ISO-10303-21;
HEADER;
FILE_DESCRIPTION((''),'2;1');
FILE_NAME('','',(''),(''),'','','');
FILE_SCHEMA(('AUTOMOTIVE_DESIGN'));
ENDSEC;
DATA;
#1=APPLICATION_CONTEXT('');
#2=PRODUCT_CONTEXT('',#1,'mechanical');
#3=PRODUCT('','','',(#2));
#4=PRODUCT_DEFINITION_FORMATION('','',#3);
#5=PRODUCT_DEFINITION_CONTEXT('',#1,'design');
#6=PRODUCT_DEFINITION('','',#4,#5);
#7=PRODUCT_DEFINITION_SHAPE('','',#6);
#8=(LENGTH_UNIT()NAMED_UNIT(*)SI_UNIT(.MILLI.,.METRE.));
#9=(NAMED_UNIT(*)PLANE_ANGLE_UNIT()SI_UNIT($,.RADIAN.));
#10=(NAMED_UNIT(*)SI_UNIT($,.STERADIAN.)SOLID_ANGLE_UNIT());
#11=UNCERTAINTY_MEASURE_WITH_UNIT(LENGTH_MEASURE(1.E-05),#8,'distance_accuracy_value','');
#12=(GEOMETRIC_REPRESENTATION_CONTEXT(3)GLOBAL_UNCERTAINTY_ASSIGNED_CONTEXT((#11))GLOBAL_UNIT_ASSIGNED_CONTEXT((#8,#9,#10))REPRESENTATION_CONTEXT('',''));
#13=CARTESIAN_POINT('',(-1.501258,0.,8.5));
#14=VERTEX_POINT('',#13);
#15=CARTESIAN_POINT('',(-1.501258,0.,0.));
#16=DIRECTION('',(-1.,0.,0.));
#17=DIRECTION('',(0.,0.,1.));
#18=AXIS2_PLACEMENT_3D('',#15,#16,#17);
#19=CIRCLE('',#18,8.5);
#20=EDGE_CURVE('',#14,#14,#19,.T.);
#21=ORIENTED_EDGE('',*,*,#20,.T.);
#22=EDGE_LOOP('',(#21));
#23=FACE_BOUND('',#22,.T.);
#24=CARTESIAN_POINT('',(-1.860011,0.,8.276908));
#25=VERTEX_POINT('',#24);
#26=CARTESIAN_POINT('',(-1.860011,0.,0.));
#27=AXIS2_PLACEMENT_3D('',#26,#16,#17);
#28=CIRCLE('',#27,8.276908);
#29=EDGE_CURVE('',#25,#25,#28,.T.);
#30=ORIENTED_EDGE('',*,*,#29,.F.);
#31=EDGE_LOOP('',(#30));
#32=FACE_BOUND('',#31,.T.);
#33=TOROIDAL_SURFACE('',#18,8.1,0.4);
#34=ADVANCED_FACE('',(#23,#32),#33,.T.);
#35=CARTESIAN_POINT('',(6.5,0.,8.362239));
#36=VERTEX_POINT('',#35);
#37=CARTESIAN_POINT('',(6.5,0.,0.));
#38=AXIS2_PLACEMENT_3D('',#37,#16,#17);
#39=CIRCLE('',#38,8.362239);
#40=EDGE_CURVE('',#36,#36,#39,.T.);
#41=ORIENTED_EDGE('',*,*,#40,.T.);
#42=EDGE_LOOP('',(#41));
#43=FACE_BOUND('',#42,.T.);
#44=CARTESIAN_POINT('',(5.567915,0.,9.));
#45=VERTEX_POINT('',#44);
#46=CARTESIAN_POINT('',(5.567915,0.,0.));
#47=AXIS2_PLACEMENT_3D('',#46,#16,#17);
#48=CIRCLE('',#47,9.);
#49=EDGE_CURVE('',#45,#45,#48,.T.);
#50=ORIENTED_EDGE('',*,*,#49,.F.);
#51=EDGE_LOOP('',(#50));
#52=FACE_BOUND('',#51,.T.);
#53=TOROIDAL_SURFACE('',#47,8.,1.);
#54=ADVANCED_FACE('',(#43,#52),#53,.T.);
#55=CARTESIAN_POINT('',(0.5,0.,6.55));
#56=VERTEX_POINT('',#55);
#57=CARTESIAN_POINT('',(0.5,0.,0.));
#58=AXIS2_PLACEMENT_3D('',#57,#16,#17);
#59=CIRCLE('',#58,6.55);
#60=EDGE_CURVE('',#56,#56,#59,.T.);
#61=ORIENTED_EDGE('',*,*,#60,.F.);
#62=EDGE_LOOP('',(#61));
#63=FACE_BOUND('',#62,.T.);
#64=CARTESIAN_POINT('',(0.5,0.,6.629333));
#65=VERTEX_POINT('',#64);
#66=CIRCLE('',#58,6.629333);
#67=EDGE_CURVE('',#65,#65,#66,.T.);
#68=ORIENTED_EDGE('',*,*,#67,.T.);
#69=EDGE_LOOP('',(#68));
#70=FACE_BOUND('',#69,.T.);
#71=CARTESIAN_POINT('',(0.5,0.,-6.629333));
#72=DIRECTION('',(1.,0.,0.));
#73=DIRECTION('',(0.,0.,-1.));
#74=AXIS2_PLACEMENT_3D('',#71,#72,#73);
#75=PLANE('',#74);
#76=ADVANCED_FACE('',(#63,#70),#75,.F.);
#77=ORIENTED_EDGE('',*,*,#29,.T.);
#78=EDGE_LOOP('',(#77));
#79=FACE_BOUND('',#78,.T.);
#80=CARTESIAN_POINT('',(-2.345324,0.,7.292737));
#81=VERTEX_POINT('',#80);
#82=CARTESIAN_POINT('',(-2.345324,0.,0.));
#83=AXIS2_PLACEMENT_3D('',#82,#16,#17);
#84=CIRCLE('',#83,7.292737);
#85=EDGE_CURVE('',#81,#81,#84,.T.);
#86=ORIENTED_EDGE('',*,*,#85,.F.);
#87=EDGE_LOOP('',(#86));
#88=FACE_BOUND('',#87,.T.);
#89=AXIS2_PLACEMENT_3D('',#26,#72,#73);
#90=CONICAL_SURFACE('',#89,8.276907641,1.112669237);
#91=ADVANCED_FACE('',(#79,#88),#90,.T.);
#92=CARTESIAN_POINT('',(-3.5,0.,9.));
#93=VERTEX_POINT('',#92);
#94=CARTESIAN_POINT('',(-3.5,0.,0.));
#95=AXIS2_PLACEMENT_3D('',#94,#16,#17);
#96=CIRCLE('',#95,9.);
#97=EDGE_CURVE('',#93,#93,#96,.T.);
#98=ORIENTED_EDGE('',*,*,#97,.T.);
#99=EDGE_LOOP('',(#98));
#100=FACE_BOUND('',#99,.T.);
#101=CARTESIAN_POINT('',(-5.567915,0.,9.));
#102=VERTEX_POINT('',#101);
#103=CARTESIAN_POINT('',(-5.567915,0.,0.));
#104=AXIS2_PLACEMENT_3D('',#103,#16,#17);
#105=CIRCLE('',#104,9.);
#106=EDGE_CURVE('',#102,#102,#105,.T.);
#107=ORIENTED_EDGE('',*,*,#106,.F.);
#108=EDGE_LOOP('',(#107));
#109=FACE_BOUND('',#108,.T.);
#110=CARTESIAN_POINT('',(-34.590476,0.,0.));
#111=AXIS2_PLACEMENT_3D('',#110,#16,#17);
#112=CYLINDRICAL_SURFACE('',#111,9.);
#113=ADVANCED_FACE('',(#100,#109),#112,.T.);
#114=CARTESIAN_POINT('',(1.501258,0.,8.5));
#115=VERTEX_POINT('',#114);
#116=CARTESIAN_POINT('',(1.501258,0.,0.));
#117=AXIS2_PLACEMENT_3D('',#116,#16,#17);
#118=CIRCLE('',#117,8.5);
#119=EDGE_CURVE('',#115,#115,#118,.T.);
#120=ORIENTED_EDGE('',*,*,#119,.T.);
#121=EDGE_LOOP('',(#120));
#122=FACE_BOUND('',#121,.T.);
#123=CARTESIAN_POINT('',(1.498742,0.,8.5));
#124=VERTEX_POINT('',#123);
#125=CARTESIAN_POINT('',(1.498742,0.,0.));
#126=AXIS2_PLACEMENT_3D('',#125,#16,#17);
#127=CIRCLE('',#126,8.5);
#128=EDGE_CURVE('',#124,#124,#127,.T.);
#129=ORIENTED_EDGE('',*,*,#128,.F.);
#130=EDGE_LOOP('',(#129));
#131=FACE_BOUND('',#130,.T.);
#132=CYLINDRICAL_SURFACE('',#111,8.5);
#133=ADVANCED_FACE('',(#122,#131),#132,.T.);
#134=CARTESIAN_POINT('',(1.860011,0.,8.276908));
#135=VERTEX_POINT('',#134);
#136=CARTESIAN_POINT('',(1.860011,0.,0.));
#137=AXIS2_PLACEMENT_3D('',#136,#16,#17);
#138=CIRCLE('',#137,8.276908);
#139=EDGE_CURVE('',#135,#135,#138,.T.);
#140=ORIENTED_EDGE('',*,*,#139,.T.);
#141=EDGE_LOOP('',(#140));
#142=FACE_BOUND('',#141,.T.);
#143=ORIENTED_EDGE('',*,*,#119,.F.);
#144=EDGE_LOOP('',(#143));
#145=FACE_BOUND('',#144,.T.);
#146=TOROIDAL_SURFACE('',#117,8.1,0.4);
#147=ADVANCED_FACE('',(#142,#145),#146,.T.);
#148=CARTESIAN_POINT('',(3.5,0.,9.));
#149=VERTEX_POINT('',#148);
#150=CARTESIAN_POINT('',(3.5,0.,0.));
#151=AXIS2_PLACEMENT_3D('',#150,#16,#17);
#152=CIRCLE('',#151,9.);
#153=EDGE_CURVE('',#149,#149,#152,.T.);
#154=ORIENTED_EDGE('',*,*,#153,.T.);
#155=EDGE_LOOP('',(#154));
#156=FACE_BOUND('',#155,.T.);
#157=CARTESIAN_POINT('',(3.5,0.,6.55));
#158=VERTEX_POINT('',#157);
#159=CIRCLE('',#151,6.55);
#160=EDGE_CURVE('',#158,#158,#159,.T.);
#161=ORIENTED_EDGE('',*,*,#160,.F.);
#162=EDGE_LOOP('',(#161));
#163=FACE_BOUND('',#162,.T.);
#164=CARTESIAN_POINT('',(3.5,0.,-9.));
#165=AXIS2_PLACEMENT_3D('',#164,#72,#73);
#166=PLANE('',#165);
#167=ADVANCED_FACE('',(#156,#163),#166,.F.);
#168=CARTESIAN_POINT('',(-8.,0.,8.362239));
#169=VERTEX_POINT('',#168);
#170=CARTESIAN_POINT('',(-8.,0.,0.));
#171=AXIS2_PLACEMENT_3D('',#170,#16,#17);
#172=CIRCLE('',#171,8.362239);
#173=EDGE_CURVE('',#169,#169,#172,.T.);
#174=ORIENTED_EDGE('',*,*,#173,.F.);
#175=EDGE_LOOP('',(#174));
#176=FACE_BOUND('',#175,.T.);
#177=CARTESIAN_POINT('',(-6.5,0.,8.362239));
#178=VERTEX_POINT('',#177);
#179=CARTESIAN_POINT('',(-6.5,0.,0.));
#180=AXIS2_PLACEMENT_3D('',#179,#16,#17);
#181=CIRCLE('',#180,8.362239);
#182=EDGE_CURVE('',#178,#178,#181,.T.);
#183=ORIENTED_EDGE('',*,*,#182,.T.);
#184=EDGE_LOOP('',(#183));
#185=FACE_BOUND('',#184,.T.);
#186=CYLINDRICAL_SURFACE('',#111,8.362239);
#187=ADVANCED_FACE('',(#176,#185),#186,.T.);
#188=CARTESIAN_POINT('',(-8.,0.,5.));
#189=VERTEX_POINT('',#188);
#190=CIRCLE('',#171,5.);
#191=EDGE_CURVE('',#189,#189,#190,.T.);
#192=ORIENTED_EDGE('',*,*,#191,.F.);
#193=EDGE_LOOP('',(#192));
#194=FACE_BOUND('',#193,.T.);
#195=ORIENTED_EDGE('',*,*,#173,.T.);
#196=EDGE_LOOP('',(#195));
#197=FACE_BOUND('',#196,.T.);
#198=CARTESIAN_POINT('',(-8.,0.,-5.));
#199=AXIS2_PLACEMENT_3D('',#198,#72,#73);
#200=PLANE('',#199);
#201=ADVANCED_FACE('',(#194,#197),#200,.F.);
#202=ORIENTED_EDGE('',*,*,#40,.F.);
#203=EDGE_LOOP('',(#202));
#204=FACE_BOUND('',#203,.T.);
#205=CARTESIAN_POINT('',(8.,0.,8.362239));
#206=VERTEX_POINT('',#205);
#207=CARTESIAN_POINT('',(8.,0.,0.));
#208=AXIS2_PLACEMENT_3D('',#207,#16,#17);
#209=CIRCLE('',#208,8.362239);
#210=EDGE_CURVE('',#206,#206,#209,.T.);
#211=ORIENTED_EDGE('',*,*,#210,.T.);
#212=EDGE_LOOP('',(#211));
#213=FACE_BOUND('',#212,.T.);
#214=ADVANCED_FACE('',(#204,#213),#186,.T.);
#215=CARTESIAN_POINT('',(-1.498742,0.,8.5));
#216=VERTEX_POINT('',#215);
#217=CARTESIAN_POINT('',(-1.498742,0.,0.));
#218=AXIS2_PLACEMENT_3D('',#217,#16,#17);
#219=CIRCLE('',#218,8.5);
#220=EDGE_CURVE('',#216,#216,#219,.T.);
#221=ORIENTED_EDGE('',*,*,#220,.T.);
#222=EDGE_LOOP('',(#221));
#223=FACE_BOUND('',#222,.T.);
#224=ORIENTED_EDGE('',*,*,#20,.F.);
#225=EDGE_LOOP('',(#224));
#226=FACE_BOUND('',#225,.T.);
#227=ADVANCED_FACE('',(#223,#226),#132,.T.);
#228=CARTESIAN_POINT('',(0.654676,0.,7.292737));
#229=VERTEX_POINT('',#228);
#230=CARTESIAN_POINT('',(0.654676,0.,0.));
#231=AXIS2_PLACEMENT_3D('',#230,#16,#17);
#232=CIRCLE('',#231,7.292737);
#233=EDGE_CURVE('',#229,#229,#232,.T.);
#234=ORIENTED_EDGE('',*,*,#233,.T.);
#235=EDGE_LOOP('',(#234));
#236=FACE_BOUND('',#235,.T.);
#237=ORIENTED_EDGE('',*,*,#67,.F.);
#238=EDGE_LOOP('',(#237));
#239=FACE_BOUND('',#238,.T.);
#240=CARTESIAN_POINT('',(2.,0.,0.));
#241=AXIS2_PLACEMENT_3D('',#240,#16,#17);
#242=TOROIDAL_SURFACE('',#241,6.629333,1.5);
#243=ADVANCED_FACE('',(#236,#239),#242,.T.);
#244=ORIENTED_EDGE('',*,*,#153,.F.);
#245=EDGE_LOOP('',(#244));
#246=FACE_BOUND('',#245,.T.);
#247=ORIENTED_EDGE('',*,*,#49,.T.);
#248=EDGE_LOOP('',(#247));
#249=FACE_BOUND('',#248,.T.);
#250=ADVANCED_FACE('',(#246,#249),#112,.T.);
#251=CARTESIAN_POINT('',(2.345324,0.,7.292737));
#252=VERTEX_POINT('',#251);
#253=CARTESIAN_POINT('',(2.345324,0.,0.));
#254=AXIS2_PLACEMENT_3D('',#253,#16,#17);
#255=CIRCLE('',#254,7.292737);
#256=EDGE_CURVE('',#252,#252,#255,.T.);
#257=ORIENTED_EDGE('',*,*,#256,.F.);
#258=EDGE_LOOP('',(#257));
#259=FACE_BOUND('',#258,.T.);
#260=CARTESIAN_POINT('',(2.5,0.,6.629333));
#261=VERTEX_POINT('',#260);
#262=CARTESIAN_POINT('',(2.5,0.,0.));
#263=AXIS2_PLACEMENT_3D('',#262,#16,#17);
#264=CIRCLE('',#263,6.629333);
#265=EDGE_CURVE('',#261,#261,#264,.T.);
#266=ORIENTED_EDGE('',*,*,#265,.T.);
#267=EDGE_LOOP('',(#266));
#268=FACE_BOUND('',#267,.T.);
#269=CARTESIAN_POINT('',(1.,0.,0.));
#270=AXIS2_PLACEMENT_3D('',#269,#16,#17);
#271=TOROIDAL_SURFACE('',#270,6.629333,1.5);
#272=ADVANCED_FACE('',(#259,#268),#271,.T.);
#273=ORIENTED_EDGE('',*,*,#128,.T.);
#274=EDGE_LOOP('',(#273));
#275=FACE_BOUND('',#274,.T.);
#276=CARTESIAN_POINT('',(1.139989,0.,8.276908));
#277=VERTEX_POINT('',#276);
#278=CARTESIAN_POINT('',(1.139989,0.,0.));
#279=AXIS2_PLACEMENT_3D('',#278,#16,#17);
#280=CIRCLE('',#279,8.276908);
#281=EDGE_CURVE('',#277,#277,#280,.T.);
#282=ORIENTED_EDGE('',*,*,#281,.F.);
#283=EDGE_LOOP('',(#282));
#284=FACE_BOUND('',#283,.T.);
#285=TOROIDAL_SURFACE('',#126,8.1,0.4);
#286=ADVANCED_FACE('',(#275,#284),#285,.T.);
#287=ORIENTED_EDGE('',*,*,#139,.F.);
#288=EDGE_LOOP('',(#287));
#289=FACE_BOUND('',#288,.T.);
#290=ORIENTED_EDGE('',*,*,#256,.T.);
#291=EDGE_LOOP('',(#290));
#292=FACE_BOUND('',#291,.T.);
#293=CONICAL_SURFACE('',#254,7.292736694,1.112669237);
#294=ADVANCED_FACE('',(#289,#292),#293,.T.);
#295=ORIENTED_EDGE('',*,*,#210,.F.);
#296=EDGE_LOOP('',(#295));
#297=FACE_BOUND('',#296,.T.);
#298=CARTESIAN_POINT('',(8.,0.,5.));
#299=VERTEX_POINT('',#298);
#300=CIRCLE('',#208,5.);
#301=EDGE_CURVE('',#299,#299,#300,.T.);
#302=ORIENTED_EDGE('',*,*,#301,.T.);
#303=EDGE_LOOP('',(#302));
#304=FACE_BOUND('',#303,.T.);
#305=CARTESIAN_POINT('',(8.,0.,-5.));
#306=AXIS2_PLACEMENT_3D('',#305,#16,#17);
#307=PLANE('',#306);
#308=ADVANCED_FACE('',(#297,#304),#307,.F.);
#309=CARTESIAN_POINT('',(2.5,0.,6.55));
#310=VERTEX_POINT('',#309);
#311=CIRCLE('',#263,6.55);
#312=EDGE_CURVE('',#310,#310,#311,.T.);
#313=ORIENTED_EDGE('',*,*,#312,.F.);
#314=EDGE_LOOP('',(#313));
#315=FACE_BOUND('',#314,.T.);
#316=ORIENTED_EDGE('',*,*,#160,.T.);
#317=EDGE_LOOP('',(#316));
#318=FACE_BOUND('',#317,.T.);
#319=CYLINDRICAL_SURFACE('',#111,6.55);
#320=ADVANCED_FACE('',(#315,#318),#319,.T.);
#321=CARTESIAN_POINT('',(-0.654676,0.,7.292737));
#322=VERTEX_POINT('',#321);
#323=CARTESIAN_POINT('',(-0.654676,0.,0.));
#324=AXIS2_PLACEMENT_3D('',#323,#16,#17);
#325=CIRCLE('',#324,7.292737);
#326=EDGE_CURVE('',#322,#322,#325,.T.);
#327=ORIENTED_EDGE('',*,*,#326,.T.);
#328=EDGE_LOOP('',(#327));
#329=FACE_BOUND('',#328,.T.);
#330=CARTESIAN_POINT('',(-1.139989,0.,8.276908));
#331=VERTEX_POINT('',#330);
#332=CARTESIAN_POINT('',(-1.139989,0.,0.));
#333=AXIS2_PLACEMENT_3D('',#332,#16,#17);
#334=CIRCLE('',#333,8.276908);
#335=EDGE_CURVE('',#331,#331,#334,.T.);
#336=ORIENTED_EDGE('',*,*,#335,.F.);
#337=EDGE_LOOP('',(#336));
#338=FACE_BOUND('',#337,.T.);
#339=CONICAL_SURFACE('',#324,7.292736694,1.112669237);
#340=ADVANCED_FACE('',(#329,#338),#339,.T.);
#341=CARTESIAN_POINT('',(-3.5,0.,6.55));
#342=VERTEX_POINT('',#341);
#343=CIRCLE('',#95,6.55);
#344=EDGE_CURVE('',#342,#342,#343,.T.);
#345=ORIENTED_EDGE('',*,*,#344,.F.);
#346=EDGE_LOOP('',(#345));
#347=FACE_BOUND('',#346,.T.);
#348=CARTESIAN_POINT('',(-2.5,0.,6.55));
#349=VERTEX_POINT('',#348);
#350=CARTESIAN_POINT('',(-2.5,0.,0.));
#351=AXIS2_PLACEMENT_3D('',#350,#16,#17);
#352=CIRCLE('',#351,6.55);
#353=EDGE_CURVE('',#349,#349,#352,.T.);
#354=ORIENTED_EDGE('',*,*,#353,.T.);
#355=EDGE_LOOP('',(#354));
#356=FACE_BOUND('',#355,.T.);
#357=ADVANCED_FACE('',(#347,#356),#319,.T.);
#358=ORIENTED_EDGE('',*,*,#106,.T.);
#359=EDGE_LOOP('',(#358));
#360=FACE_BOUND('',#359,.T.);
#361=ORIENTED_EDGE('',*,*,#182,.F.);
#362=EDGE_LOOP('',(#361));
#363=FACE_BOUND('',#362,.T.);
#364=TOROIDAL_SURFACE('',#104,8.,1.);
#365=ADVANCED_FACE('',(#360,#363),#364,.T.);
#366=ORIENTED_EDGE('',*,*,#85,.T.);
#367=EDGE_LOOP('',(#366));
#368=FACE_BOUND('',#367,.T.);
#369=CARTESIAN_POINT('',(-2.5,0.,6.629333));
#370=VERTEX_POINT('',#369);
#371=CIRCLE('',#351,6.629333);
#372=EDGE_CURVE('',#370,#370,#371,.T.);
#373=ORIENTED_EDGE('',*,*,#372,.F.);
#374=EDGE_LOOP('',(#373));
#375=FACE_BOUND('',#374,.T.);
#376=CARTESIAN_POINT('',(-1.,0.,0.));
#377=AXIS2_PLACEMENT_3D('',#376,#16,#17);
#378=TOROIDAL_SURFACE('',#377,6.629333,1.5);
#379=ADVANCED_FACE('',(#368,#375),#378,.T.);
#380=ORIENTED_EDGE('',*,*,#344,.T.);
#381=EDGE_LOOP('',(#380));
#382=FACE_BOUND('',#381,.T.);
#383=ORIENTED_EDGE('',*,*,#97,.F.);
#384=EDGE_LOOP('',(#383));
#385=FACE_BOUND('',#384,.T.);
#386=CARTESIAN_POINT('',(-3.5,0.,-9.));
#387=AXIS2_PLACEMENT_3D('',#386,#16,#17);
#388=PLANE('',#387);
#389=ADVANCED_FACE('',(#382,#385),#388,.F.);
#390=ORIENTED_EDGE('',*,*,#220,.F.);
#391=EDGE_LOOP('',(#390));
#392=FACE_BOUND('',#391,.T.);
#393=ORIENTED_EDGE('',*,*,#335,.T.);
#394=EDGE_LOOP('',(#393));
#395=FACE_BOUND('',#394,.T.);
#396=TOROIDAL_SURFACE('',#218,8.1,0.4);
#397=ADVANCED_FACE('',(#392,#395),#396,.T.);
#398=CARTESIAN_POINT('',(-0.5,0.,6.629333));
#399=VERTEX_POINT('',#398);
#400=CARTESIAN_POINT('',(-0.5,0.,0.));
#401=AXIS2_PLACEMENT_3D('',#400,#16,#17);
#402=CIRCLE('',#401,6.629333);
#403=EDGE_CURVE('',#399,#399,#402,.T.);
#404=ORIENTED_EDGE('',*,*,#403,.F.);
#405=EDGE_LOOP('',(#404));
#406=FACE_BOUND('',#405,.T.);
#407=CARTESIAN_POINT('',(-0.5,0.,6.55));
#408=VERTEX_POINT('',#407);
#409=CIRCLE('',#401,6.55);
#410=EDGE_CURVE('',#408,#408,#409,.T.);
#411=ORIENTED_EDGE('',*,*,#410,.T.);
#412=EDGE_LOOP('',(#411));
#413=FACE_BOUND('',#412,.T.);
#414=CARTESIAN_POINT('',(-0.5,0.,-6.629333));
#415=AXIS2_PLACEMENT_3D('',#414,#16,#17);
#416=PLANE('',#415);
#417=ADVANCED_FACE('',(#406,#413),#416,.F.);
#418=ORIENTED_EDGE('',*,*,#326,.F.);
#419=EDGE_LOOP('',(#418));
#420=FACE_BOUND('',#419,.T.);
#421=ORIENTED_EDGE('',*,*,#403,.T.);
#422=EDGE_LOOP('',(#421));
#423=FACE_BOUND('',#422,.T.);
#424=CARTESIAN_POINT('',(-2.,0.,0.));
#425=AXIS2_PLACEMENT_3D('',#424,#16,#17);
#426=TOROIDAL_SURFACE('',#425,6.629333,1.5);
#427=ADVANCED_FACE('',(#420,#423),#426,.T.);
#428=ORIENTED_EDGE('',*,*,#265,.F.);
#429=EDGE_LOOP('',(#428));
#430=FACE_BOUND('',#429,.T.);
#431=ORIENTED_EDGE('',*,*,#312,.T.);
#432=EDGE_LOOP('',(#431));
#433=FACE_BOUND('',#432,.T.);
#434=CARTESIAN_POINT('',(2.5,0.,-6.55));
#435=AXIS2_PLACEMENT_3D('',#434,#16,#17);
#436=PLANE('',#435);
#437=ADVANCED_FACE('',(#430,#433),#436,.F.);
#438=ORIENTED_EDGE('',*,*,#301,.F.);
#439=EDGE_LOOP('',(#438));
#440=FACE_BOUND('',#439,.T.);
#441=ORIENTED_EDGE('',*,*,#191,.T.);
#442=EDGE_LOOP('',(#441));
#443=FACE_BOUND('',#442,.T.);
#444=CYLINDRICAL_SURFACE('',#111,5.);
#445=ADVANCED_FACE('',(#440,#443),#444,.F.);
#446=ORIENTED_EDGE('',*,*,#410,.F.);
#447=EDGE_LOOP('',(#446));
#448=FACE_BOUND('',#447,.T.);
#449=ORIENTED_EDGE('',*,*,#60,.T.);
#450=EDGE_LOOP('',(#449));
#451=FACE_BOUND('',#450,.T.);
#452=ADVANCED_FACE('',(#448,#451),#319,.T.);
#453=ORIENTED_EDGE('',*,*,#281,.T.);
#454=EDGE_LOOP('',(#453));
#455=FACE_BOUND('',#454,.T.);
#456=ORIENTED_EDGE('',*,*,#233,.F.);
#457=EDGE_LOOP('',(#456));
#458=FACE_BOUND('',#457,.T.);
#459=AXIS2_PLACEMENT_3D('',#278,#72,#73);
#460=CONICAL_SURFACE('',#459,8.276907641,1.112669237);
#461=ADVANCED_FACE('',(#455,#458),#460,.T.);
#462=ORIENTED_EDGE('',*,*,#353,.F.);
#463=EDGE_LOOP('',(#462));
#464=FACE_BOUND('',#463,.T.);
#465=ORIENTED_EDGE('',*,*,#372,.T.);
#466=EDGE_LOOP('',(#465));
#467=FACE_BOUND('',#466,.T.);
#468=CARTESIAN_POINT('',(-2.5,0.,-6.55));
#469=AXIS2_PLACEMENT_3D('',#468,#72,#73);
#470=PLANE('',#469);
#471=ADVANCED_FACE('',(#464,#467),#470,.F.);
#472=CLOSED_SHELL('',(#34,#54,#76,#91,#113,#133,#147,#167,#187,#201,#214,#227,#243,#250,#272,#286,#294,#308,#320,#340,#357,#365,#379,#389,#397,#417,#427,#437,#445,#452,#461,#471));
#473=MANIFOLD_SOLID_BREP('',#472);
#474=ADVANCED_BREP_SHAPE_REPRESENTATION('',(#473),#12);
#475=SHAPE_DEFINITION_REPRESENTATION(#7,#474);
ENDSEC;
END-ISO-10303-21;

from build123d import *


with BuildPart() as part:
    # Sketch2 → Revolve1 (revolve)
    with BuildSketch(Plane(origin=(0, 0, 0), x_dir=(1, 0, 0), z_dir=(0, 1, 0)), mode=Mode.PRIVATE) as revolve1_sk:
        with BuildLine():
            Line((-8, 5), (8, 5))
            Line((8, 5), (8, 8.362238571))
            Line((8, 8.362238571), (6.5, 8.362238571))
            ThreePointArc((6.5, 8.362238571), (6.132609827, 8.825299513), (5.567914587, 9))
            Line((5.567914587, 9), (3.5, 9))
            Line((3.5, 9), (3.5, 6.55))
            Line((3.5, 6.55), (2.5, 6.55))
            Line((2.5, 6.55), (2.5, 6.629333039))
            ThreePointArc((2.5, 6.629333039), (2.460819188, 6.969931482), (2.345323601, 7.292736694))
            Line((2.345323601, 7.292736694), (1.860010919, 8.276907641))
            ThreePointArc((1.860010919, 8.276907641), (1.712488809, 8.439678566), (1.501257959, 8.5))
            Line((1.501257959, 8.5), (1.498742041, 8.5))
            ThreePointArc((1.498742041, 8.5), (1.287511191, 8.439678566), (1.139989081, 8.276907641))
            Line((1.139989081, 8.276907641), (0.654676399, 7.292736694))
            ThreePointArc((0.654676399, 7.292736694), (0.539180812, 6.969931482), (0.5, 6.629333039))
            Line((0.5, 6.629333039), (0.5, 6.55))
            Line((0.5, 6.55), (-0.5, 6.55))
            Line((-0.5, 6.55), (-0.5, 6.629333039))
            ThreePointArc((-0.5, 6.629333039), (-0.539180812, 6.969931482), (-0.654676399, 7.292736694))
            Line((-0.654676399, 7.292736694), (-1.139989081, 8.276907641))
            ThreePointArc((-1.139989081, 8.276907641), (-1.287511191, 8.439678566), (-1.498742041, 8.5))
            Line((-1.498742041, 8.5), (-1.501257959, 8.5))
            ThreePointArc((-1.501257959, 8.5), (-1.712488809, 8.439678566), (-1.860010919, 8.276907641))
            Line((-1.860010919, 8.276907641), (-2.345323601, 7.292736694))
            ThreePointArc((-2.345323601, 7.292736694), (-2.460819188, 6.969931482), (-2.5, 6.629333039))
            Line((-2.5, 6.629333039), (-2.5, 6.55))
            Line((-2.5, 6.55), (-3.5, 6.55))
            Line((-3.5, 6.55), (-3.5, 9))
            Line((-3.5, 9), (-5.567914587, 9))
            ThreePointArc((-5.567914587, 9), (-6.132609827, 8.825299513), (-6.5, 8.362238571))
            Line((-6.5, 8.362238571), (-8, 8.362238571))
            Line((-8, 8.362238571), (-8, 5))
        make_face()
    revolve(revolve1_sk.sketch.rotate(Axis((-34.59047619, 0, 0), (1, 0, 0)), 180), axis=Axis((-34.59047619, 0, 0), (1, 0, 0)))


solid = part.part
